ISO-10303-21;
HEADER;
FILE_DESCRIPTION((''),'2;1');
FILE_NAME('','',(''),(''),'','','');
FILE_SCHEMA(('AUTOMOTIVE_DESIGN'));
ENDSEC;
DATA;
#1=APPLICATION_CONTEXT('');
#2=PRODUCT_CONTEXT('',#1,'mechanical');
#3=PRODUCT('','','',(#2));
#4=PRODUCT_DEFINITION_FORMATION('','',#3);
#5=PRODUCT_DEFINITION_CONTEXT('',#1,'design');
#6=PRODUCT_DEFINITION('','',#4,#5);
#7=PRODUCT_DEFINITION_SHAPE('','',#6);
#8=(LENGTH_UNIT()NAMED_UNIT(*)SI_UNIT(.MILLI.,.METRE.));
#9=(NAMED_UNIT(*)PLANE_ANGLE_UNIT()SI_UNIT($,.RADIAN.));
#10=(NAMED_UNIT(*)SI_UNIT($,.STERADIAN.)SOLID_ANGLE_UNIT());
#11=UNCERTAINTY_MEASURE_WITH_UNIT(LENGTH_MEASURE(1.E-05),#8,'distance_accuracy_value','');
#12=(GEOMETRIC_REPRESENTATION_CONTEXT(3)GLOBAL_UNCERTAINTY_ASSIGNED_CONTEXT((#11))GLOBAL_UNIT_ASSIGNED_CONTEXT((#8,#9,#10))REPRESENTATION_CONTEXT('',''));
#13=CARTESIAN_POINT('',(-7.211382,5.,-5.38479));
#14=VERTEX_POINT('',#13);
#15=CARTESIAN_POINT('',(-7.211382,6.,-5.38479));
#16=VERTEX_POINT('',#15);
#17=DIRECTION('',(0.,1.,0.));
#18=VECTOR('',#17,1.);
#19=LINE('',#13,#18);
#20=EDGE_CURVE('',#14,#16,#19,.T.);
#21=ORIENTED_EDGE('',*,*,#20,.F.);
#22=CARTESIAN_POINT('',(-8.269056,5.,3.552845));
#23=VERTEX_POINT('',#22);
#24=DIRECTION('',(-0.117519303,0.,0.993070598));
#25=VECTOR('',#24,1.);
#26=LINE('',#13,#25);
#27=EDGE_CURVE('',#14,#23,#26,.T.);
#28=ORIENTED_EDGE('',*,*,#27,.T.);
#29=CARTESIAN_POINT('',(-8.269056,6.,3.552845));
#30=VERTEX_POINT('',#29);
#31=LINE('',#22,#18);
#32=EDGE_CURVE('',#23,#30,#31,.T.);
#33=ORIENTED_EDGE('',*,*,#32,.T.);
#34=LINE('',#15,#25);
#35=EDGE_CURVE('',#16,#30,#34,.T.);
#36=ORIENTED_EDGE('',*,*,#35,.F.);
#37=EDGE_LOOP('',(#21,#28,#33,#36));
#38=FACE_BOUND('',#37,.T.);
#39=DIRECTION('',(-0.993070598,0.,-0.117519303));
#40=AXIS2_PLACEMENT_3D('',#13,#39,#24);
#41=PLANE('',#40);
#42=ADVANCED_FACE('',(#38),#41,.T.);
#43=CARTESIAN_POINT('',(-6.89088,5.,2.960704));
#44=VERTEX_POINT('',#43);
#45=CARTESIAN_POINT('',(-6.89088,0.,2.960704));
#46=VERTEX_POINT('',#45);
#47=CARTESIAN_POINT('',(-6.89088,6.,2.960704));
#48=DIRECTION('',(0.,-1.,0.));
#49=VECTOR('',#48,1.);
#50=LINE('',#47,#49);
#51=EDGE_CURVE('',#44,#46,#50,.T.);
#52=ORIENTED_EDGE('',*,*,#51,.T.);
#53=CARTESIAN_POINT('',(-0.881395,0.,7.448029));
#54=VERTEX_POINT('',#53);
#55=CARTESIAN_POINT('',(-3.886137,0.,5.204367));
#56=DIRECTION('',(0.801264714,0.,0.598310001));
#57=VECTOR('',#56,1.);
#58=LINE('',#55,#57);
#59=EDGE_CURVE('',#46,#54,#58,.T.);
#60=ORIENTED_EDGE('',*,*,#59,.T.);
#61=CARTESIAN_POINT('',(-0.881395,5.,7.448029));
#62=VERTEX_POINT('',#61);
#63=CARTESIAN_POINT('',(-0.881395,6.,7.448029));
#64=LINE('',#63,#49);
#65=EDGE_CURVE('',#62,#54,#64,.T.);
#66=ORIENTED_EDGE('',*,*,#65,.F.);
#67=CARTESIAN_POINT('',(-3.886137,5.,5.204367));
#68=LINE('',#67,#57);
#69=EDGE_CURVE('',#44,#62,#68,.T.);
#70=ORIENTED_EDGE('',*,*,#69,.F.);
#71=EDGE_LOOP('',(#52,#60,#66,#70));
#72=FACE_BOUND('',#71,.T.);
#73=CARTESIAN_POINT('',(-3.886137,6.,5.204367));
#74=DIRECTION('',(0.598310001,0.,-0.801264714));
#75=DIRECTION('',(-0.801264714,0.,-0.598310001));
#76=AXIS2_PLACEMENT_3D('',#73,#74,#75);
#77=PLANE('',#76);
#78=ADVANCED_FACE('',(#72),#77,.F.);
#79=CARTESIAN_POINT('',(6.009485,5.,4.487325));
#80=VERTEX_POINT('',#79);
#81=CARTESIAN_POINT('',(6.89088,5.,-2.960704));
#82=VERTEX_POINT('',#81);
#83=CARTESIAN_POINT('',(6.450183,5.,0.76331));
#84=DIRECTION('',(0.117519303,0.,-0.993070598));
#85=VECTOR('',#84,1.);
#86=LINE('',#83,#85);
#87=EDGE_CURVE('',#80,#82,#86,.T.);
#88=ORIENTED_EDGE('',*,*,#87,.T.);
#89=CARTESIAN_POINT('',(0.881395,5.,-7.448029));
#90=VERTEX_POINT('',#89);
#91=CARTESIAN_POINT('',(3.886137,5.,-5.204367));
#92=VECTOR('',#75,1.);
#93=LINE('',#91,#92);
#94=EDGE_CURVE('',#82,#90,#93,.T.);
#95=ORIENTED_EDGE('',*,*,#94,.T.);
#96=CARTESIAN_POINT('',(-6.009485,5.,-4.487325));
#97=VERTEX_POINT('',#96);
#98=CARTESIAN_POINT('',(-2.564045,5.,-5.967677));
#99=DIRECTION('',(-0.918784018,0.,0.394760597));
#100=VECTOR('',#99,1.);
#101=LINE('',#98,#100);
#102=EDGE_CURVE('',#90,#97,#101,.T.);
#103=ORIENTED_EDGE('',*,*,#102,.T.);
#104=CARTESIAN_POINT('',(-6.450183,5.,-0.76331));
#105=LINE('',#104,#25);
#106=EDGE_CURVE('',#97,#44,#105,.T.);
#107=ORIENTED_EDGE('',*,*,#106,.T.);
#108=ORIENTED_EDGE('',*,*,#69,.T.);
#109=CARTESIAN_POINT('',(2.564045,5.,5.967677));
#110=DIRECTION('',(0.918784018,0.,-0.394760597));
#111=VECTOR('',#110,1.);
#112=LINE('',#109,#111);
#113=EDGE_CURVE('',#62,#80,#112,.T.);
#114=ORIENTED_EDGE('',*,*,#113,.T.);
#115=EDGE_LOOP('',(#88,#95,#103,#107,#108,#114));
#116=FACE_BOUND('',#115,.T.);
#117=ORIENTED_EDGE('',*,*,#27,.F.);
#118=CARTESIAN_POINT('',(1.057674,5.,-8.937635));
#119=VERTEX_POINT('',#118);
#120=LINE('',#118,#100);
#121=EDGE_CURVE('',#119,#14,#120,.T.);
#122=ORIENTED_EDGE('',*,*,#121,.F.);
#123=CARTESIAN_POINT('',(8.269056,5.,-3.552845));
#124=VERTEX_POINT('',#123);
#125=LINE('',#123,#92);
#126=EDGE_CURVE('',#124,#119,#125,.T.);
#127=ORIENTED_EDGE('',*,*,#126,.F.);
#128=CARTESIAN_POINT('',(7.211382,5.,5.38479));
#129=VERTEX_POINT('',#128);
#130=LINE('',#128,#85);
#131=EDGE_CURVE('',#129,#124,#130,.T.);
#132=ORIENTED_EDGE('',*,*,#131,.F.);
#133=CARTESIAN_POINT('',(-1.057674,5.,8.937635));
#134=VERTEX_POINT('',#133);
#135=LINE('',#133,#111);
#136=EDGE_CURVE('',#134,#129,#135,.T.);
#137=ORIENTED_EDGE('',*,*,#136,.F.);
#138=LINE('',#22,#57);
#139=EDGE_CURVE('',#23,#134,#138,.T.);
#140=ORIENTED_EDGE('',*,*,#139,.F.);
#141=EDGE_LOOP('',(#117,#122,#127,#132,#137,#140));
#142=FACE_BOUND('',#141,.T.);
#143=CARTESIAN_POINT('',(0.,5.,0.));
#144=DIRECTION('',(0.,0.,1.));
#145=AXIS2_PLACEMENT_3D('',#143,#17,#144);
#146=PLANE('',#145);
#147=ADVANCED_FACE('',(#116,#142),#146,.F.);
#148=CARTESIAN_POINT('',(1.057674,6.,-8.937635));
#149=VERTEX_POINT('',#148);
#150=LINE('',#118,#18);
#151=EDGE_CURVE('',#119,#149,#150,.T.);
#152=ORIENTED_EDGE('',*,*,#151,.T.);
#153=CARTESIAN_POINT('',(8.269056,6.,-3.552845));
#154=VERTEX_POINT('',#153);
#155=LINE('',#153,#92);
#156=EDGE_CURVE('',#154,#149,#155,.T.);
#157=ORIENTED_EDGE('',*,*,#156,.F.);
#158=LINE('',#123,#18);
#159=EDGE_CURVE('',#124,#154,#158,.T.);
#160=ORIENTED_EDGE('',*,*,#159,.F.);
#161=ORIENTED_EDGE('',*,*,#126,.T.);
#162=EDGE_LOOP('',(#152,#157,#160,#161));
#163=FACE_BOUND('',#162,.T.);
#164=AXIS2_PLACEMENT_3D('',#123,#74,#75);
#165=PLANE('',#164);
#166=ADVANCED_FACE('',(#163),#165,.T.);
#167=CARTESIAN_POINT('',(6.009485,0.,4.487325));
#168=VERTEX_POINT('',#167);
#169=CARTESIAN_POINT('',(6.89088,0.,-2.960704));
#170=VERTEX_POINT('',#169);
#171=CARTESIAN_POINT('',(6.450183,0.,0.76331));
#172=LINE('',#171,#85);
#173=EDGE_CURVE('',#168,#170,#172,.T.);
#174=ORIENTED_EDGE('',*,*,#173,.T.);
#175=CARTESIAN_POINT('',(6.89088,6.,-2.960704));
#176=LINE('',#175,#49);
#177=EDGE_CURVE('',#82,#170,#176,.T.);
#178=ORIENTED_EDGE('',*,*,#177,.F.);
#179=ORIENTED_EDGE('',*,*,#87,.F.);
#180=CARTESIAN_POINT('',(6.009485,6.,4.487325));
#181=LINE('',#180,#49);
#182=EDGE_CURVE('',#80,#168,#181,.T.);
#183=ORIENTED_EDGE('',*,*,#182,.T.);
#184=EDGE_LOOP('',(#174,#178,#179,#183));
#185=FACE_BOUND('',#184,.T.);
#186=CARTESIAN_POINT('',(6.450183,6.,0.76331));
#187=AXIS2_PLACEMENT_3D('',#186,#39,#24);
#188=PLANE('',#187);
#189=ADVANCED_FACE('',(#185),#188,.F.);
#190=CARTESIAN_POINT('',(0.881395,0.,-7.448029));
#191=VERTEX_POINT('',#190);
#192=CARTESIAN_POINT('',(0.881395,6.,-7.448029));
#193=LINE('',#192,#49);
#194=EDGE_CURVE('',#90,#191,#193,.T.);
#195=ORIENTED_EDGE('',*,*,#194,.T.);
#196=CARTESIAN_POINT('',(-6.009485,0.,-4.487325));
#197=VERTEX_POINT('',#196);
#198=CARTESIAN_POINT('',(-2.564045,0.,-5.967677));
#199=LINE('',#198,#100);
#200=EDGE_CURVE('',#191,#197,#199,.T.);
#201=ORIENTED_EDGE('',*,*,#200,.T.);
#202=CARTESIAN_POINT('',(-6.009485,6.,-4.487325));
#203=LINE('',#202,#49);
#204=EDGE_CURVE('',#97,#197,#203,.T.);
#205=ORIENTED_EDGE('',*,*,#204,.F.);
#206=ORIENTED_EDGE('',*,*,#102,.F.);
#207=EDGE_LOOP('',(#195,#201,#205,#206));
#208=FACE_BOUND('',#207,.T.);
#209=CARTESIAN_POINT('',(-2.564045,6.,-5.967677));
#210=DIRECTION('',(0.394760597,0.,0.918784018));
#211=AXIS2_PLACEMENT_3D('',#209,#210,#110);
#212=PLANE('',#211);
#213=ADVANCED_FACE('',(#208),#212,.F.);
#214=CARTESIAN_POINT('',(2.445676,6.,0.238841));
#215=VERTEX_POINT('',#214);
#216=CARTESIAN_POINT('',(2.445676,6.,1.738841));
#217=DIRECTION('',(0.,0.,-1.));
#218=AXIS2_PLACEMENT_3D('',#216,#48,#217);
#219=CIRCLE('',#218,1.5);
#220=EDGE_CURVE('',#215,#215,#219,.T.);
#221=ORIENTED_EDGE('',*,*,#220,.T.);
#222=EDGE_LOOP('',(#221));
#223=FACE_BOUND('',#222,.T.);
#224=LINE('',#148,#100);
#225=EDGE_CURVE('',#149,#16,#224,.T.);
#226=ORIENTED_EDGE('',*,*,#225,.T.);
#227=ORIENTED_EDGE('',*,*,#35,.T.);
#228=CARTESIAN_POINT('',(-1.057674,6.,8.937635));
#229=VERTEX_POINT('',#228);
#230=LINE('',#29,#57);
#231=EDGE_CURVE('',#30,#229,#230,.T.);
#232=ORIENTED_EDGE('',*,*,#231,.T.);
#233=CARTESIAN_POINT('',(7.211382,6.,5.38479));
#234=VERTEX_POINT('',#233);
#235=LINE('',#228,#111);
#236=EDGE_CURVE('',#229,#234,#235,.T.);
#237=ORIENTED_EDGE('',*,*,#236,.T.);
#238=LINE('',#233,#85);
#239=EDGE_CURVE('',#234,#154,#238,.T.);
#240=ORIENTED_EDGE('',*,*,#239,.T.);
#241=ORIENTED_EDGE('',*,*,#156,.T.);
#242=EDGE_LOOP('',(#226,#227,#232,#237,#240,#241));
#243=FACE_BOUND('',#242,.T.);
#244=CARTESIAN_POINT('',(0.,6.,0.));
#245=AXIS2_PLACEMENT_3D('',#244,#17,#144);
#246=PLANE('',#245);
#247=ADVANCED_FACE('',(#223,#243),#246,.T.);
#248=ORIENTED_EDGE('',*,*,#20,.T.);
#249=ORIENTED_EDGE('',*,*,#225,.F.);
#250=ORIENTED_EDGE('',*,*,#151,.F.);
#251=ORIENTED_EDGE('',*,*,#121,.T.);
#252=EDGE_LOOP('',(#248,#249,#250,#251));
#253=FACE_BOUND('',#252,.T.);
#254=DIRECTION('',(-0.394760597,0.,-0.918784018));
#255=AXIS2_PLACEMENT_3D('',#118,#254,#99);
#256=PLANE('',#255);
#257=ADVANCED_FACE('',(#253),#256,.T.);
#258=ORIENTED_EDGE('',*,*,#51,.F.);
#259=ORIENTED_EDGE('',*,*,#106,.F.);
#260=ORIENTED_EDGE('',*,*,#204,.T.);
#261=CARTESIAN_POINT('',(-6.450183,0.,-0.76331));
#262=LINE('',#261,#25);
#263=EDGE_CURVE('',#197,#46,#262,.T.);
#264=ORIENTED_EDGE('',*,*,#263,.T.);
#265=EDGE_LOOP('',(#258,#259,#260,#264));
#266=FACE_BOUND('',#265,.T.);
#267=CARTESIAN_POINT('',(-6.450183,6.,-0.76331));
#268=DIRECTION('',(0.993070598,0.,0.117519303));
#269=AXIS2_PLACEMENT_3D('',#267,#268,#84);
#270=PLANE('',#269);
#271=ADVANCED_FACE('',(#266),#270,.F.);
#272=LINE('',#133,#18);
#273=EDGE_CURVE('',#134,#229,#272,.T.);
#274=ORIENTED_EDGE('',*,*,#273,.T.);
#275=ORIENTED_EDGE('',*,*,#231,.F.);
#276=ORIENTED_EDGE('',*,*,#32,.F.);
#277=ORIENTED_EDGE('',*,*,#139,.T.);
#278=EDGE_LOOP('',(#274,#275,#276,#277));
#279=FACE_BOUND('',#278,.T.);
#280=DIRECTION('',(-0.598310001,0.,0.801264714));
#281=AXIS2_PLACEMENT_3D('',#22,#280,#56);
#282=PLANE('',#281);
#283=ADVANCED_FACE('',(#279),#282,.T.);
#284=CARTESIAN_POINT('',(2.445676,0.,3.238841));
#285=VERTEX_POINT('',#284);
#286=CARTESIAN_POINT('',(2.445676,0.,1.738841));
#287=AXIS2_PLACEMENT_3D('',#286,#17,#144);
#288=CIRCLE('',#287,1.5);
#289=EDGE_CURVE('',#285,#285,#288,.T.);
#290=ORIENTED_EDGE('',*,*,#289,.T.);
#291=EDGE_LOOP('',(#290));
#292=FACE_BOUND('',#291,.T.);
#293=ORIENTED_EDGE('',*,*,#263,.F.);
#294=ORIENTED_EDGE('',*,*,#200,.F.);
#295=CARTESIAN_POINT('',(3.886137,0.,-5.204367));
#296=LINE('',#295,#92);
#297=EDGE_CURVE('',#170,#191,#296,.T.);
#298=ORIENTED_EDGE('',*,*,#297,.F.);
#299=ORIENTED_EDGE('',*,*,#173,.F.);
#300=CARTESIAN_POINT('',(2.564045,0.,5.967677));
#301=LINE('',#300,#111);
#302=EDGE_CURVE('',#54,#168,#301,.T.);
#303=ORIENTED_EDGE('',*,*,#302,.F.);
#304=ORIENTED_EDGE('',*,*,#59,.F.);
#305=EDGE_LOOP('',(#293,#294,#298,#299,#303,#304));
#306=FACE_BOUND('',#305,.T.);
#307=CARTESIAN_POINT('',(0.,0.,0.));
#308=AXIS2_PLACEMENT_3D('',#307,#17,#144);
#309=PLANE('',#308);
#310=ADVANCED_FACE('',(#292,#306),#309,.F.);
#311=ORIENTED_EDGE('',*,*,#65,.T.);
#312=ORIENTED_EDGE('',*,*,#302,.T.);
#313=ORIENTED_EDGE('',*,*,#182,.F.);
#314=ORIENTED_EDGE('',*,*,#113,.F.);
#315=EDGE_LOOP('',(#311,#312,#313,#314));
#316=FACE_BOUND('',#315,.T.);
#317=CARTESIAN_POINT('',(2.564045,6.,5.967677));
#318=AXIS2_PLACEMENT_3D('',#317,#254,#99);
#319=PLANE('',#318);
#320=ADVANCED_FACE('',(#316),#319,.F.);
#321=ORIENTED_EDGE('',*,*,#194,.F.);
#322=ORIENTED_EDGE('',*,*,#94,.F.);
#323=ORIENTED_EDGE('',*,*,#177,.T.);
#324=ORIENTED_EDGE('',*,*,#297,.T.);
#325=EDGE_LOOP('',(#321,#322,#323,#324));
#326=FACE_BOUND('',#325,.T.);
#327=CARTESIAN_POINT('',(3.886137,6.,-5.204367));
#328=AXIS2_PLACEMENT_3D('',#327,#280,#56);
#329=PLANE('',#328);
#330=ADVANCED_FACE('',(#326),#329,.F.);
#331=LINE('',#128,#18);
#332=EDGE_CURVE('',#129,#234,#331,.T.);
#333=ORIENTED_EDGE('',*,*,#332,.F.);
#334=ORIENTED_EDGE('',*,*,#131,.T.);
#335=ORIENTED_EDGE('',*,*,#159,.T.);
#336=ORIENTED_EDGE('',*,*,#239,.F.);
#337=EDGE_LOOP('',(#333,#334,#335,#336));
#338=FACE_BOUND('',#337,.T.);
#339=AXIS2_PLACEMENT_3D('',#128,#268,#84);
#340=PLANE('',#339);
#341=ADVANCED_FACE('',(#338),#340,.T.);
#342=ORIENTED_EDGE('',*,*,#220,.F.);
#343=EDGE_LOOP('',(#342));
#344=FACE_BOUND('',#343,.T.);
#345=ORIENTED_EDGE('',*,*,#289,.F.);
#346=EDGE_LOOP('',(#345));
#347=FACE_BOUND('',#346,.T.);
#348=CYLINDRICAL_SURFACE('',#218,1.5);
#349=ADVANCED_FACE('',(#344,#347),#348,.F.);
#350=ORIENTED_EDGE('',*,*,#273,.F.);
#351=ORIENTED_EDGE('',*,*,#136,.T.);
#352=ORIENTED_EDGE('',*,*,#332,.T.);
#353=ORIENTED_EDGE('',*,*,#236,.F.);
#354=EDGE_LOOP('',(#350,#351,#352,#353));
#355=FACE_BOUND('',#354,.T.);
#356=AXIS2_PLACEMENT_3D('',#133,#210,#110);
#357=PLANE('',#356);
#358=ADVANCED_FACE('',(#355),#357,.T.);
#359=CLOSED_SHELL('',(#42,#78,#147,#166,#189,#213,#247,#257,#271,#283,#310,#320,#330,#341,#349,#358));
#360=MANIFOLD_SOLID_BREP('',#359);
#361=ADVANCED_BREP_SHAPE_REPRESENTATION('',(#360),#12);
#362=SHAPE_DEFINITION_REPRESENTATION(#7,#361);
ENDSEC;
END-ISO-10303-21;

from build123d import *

# Parameters (mm, degrees)
SKETCH1_R           = 1.5
BOSS_EXTRUDE1_DEPTH = 6
BOSS_EXTRUDE2_DEPTH = 1
SKETCH4_R           = 1.5
CUT_EXTRUDE1_DEPTH  = 1


with BuildPart() as part:
    # Sketch1 → Boss-Extrude1 (new body)
    with BuildSketch(Plane(origin=(0, 0, 0), x_dir=(1, 0, 0), z_dir=(0, 1, 0))):
        Polygon((-6.890880132, -2.960704478), (-0.881394775, -7.448029488), (6.009485357, -4.48732501), (6.890880132, 2.960704478), (0.881394775, 7.448029488), (-6.009485357, 4.48732501), align=None)
        with Locations((2.445675843, -1.738841474)):
            Circle(SKETCH1_R, mode=Mode.SUBTRACT)
    extrude(amount=BOSS_EXTRUDE1_DEPTH)

    # Sketch2 → Boss-Extrude2 (add)
    with BuildSketch(Plane(origin=(0, 6, 0), x_dir=(1, 0, 0), z_dir=(0, 1, 0))):
        Polygon((8.269056159, 3.552845373), (1.05767373, 8.937635385), (-7.211382428, 5.384790012), (-8.269056159, -3.552845373), (-1.05767373, -8.937635385), (7.211382428, -5.384790012), align=None)
    extrude(amount=-BOSS_EXTRUDE2_DEPTH)

    # Sketch4 → Cut-Extrude1 (cut)
    with BuildSketch(Plane.XZ.offset(-5)):
        with Locations((2.445675843, 1.738841474)):
            Circle(SKETCH4_R)
    extrude(amount=-CUT_EXTRUDE1_DEPTH, mode=Mode.SUBTRACT)


solid = part.part
